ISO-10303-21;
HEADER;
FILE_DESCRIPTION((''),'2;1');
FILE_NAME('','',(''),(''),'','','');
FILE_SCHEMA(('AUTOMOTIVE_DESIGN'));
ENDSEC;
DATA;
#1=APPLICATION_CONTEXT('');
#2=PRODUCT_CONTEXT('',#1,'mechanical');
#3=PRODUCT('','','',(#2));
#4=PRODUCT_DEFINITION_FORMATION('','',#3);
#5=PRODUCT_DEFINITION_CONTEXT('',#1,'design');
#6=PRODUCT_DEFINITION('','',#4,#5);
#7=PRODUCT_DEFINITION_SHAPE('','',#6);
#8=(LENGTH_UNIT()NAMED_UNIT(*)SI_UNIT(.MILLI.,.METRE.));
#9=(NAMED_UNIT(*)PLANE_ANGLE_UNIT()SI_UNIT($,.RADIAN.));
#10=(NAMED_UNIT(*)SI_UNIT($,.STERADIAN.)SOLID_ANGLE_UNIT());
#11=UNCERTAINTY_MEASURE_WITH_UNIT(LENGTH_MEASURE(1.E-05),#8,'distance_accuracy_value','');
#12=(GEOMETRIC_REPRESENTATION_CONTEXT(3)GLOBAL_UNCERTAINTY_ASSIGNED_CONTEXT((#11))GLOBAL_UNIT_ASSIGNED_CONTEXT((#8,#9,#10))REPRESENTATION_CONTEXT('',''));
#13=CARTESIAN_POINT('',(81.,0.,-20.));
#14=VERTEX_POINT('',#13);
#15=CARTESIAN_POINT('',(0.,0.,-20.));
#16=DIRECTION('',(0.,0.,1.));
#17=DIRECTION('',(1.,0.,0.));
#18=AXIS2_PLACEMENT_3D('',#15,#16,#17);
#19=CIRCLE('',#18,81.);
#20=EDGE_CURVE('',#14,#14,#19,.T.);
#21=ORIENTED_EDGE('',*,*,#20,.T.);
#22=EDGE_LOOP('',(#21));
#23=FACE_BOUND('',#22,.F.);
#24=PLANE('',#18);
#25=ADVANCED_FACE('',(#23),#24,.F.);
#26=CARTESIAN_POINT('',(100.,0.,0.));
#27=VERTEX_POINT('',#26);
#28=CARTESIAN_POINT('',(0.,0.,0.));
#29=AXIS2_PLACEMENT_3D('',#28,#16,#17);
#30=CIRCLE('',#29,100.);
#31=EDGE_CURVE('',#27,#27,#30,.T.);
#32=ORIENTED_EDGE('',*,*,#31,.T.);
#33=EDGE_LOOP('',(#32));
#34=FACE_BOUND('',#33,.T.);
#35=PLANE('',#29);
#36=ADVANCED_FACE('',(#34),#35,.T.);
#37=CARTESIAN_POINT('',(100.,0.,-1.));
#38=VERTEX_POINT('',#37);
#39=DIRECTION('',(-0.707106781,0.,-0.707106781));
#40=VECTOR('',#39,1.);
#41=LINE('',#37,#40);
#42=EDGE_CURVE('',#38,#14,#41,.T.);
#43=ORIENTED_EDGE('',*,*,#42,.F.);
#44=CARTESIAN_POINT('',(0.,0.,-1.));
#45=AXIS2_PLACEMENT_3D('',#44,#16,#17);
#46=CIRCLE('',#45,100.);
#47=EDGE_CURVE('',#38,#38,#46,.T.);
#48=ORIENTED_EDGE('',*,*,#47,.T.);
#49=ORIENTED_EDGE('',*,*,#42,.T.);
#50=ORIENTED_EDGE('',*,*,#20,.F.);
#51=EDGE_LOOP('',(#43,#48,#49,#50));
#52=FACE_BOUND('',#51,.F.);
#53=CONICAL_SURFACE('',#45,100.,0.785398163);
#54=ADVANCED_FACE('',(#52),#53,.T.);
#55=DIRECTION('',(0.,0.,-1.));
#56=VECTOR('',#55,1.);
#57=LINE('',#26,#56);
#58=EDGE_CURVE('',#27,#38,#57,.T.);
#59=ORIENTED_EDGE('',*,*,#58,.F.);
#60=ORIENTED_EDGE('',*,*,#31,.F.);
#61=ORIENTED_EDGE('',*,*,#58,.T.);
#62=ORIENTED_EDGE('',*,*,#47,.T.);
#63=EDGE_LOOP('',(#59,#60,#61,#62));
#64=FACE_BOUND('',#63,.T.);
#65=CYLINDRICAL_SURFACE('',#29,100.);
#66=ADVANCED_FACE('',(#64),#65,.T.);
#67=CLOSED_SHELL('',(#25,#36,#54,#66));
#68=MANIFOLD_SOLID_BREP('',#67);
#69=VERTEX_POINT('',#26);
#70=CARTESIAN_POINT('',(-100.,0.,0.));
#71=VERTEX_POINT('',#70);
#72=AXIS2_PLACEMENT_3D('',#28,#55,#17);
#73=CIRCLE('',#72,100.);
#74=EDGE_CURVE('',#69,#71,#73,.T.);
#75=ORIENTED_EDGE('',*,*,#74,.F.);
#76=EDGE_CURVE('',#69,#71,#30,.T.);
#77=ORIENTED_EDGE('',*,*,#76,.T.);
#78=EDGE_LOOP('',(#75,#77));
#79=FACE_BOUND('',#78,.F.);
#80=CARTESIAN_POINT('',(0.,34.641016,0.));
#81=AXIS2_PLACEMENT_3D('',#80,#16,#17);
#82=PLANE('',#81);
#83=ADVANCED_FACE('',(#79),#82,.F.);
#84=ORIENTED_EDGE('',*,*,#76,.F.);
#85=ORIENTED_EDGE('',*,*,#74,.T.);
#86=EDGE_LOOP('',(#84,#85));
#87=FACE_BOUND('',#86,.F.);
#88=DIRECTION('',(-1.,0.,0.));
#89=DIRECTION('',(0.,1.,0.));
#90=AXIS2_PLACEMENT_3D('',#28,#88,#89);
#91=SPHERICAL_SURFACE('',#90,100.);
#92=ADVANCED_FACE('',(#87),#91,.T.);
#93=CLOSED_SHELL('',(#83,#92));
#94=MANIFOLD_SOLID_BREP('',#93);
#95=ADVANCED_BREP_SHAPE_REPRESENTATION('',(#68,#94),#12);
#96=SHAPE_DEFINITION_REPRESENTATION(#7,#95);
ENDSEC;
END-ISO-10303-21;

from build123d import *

# Parameters (mm, degrees)
REVOLUTION_ANGLE = 180
SKETCH001_R      = 100
PAD_DEPTH        = 20
CHAMFER_SIZE     = 19


with BuildPart() as revolution:
    # Sketch → Revolution (revolve)
    with BuildSketch(Plane.XY):
        with BuildLine():
            ThreePointArc((100, 0), (0, 100), (-100, 0))
            Line((-100, 0), (100, 0))
        make_face()
    revolve(axis=Axis((0, 0, 0), (1, 0, 0)), revolution_arc=REVOLUTION_ANGLE)


with BuildPart() as chamfer_body:
    # Sketch001 → Pad (new body)
    with BuildSketch(Plane.XY):
        Circle(SKETCH001_R)
    extrude(amount=-PAD_DEPTH)

    # Chamfer
    chamfer_edges = [chamfer_body.edges().sort_by_distance(p)[0] for p in [
        (-100, 0, -20),
    ]]
    chamfer(chamfer_edges, length=CHAMFER_SIZE)


solid = Compound([revolution.part, chamfer_body.part])
